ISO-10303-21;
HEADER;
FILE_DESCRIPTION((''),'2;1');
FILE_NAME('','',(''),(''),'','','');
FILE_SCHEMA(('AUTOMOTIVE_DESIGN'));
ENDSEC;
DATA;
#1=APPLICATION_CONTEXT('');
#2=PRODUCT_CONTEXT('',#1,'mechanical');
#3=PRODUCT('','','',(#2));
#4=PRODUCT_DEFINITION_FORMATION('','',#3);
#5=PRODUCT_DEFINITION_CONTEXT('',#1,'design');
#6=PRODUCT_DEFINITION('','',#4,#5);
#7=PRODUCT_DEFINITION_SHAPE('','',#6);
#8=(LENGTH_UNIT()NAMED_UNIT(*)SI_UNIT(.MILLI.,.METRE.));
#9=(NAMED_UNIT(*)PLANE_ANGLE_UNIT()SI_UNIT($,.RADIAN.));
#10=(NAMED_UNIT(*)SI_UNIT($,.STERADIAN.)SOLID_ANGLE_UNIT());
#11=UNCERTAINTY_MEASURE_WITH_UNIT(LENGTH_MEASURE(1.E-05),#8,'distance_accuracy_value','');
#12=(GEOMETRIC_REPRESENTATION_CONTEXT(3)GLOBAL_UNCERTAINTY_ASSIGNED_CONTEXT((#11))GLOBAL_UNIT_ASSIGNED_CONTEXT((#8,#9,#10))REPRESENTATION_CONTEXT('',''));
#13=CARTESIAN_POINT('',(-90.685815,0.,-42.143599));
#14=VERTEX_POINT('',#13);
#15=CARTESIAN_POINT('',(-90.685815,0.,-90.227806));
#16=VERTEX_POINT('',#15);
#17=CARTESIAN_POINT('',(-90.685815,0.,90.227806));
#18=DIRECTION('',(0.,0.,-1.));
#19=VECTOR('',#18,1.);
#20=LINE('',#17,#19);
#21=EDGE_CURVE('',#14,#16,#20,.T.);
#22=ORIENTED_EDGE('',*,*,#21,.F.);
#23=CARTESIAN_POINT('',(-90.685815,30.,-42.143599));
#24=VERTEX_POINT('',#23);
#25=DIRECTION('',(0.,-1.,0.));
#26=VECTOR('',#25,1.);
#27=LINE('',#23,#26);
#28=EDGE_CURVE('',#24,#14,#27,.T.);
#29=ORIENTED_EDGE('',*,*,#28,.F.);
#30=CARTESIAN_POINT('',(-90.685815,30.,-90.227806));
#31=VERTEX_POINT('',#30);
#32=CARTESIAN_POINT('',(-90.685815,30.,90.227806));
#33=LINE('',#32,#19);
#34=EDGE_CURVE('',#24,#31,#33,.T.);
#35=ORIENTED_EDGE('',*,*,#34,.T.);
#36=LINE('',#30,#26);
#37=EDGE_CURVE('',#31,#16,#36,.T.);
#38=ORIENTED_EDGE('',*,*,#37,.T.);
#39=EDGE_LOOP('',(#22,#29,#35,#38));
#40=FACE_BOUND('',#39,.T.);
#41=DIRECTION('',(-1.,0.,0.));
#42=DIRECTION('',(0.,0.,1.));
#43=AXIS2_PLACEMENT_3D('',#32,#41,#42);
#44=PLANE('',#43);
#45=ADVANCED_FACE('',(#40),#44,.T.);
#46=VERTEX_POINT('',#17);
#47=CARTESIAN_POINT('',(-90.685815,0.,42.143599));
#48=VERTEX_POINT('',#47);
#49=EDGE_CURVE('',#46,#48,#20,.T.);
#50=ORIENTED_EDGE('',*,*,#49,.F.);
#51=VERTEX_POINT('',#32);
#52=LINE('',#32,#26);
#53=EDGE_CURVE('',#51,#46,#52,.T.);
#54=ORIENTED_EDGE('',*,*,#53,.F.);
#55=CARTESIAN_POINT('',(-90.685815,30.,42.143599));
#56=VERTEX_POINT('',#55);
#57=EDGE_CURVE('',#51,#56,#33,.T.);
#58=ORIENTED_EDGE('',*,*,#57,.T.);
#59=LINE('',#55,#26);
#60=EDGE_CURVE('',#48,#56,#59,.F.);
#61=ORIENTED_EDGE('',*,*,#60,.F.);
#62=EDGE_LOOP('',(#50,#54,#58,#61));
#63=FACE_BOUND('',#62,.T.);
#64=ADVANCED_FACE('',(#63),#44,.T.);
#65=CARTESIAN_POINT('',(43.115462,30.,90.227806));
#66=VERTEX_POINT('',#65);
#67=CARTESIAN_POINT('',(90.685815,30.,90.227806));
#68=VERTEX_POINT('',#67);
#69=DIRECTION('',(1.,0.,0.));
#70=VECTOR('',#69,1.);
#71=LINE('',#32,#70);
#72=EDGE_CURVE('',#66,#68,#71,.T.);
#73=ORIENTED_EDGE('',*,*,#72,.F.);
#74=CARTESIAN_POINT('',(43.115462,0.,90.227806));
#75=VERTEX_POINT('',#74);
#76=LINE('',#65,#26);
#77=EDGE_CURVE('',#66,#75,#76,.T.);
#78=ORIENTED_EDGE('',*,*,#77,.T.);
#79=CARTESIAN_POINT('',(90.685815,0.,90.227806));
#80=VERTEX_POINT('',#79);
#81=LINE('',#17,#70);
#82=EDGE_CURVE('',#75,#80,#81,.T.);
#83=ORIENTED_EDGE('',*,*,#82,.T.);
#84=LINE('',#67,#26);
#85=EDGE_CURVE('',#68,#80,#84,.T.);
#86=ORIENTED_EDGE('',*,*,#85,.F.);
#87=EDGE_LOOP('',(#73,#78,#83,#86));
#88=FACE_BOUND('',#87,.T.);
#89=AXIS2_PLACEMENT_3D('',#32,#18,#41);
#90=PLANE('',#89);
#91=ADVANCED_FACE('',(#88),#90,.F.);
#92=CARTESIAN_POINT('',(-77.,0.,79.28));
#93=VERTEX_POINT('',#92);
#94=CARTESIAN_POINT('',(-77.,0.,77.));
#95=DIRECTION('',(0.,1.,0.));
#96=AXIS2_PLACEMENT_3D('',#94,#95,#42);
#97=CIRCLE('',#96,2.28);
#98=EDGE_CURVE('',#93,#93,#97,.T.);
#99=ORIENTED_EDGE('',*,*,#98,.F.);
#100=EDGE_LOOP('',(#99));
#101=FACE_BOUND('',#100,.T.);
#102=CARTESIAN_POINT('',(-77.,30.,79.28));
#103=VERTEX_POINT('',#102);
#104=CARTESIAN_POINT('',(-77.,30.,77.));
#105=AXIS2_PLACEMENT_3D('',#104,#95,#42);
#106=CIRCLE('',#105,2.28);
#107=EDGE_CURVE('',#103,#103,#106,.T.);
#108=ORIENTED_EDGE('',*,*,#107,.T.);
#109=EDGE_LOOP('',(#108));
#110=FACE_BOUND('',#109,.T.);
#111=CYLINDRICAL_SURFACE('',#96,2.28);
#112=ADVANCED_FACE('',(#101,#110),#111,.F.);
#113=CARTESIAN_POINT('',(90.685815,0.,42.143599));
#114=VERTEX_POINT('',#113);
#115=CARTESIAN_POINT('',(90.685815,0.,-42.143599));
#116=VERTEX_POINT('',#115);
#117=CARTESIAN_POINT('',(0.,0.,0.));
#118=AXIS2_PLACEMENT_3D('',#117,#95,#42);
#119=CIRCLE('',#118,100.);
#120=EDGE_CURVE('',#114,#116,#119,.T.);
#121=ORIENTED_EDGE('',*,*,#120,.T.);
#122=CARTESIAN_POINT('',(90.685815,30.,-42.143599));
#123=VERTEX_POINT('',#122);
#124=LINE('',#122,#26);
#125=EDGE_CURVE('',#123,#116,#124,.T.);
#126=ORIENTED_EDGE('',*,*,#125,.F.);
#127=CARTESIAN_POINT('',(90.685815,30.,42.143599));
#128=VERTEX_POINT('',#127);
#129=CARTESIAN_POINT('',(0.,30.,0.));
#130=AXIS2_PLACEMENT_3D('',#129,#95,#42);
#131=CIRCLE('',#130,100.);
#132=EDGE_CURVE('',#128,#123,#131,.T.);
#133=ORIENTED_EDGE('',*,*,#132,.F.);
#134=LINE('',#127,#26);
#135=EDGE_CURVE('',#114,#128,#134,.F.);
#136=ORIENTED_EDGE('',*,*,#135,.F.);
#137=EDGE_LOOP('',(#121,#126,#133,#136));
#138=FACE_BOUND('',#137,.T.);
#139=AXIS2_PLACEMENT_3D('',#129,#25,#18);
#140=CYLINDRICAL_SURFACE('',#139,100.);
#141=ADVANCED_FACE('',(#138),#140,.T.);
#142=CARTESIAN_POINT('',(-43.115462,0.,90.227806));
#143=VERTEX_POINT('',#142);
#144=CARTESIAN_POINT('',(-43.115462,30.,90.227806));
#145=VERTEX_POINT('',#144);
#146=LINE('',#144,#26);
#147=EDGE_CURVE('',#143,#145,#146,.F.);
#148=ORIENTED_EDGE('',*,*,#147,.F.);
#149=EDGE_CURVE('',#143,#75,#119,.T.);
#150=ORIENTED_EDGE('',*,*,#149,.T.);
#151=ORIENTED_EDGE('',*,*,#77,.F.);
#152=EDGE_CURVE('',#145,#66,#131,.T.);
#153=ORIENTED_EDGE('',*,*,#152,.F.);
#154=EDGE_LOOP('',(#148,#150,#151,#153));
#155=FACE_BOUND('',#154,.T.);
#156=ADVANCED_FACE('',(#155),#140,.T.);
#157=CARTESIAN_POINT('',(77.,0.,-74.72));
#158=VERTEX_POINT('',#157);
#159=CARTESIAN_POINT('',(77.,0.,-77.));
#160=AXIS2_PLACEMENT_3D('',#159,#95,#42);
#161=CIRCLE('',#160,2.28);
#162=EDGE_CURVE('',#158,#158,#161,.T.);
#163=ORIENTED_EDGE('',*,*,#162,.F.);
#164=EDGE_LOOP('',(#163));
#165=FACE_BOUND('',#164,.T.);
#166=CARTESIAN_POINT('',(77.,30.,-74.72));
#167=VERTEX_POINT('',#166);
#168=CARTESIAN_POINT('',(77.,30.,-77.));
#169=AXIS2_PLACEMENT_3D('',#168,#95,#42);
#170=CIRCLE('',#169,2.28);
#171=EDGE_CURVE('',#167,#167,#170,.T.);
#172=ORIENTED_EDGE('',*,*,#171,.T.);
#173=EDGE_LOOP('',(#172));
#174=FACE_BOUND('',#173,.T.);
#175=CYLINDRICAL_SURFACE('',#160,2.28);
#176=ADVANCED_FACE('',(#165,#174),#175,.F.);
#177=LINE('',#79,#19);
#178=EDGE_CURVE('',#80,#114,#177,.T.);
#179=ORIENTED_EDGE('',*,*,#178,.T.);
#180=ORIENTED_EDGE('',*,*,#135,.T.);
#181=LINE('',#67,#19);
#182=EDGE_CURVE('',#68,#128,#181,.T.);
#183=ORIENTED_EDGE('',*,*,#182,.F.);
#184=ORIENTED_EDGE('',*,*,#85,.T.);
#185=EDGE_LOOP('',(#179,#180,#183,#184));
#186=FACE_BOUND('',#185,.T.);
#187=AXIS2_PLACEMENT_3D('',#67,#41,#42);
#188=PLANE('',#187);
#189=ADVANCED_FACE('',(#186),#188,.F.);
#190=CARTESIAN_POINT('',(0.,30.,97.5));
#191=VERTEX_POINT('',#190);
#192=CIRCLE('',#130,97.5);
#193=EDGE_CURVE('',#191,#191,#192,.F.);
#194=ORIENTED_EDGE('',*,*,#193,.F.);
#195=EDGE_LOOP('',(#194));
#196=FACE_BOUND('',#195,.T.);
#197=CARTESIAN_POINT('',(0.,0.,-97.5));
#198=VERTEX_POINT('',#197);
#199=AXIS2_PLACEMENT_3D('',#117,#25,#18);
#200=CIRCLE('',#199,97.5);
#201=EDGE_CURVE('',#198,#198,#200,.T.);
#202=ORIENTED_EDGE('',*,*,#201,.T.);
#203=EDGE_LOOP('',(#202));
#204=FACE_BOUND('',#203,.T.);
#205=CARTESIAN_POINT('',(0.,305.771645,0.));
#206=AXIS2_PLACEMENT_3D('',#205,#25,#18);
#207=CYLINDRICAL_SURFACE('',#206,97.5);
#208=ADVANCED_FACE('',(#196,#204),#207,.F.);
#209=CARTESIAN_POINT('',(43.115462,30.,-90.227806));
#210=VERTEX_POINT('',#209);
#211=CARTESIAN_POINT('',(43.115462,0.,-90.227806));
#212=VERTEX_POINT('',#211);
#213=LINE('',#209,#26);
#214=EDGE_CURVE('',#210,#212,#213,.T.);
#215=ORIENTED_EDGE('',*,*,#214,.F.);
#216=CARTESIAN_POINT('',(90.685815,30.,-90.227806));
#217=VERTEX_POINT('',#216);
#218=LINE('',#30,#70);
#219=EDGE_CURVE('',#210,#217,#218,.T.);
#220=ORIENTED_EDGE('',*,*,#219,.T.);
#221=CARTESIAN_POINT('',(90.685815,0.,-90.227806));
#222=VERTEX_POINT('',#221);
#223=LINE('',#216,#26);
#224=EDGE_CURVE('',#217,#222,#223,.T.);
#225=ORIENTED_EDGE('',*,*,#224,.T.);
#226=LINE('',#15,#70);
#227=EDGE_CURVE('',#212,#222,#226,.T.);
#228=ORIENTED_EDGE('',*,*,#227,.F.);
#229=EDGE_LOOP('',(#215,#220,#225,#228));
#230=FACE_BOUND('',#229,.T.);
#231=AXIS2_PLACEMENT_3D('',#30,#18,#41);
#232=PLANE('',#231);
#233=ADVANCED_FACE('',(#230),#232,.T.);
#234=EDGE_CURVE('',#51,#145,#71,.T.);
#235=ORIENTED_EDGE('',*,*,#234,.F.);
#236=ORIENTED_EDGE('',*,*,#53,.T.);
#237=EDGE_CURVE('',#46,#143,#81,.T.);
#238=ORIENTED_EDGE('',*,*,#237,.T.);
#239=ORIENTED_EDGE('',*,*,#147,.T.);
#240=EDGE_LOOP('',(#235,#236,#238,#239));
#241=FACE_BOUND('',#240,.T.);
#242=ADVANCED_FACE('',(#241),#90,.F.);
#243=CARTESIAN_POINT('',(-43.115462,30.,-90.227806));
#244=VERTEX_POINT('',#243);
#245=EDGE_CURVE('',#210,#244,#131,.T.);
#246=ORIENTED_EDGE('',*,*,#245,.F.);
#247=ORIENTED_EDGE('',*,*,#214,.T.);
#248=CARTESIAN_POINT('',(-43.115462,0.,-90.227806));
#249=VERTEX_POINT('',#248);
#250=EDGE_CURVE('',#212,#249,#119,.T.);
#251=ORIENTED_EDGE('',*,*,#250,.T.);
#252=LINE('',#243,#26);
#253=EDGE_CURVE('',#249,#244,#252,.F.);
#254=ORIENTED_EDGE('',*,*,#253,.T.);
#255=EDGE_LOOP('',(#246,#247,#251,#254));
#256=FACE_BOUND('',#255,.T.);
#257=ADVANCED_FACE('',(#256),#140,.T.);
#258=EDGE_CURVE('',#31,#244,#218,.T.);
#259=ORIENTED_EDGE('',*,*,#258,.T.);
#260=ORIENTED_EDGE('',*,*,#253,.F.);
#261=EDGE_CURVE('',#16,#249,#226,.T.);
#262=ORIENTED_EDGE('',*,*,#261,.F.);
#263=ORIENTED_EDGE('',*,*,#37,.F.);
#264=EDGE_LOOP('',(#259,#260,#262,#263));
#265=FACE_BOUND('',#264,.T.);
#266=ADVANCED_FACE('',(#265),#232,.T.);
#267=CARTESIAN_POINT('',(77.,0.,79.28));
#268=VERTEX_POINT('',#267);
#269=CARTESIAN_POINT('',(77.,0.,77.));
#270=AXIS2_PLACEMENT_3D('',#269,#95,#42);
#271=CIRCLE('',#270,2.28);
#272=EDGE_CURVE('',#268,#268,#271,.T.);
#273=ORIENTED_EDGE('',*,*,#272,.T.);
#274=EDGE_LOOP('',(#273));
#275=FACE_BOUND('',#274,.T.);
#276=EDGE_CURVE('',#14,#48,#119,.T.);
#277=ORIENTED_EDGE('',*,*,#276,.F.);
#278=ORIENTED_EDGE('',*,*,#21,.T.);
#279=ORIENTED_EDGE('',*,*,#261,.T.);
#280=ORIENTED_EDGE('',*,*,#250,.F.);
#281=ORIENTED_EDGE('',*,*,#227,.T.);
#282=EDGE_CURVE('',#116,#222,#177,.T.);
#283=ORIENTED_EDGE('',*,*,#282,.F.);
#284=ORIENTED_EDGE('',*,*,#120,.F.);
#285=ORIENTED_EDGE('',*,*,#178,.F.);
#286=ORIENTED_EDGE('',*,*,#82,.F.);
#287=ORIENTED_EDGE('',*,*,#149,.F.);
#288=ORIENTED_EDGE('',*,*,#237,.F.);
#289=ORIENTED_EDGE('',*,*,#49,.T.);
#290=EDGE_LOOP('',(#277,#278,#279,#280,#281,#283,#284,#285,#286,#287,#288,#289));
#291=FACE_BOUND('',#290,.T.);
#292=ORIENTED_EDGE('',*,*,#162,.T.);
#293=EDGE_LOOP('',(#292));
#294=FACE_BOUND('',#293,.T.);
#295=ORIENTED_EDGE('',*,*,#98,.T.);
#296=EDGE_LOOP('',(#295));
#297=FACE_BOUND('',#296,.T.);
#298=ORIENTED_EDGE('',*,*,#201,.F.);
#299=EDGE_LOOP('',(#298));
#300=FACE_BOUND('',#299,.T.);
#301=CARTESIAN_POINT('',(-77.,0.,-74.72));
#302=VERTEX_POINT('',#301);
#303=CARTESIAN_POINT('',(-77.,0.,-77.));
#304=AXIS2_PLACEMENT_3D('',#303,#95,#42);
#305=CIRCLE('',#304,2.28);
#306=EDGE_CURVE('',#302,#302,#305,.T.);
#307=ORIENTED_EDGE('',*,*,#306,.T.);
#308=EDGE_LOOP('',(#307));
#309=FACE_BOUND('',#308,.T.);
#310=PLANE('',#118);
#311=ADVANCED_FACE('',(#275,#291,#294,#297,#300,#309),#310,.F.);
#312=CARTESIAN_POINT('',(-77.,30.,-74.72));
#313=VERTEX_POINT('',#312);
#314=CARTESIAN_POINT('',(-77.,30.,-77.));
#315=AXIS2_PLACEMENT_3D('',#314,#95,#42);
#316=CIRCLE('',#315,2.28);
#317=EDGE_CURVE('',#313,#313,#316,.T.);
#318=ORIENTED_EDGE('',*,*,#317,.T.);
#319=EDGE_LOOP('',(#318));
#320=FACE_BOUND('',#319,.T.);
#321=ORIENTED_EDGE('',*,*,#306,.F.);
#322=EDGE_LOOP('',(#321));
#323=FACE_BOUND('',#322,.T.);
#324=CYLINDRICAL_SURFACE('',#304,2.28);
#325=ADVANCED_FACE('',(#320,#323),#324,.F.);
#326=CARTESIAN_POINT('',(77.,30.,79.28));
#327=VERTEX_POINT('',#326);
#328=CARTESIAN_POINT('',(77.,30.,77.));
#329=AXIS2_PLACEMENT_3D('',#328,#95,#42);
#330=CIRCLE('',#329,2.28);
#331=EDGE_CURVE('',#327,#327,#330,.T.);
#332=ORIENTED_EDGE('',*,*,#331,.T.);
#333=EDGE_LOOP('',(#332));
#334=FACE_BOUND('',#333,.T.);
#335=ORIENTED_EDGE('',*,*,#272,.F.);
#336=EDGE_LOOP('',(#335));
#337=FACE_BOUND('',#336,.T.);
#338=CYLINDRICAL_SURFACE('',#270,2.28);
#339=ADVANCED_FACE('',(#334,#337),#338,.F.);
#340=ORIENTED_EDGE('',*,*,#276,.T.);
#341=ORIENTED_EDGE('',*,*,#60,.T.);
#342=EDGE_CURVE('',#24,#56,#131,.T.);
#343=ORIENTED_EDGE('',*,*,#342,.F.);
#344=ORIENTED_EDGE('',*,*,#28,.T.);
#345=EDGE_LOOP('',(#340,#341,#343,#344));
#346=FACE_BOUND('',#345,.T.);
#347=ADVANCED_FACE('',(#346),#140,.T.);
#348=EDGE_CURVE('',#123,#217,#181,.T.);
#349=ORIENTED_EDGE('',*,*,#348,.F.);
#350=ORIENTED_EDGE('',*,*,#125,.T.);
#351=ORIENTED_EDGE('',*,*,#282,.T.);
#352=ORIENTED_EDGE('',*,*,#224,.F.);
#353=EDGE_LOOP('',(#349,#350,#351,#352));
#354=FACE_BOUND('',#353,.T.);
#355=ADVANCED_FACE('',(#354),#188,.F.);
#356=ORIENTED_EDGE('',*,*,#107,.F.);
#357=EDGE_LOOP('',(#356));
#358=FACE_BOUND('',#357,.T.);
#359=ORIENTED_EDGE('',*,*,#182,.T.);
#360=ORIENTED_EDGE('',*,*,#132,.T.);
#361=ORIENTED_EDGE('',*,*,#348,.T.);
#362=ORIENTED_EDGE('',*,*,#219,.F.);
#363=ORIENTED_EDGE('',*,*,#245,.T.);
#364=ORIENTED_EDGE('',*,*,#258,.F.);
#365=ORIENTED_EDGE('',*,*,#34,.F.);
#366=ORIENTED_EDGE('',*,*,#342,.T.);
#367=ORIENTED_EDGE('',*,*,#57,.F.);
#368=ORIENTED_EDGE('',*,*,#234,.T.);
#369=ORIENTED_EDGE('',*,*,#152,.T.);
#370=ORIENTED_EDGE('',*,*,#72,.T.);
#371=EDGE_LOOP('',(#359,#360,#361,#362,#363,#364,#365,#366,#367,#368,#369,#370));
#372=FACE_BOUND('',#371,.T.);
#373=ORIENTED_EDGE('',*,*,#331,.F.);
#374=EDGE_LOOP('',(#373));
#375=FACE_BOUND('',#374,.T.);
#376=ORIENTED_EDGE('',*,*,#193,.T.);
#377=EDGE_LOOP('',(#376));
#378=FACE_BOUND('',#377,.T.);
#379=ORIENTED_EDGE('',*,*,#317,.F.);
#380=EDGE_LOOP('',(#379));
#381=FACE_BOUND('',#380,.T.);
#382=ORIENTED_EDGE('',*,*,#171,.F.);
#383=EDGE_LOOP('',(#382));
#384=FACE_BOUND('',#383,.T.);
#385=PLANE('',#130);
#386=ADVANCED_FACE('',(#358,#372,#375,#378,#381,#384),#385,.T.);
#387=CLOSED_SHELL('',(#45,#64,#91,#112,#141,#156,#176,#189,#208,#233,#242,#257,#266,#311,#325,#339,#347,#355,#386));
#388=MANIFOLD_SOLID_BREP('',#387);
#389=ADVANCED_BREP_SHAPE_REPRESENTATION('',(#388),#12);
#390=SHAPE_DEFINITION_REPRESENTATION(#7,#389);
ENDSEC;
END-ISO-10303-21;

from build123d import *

# Parameters (mm, degrees)
SKETCH1_R           = 100
SKETCH1_W           = 181.371629942
SKETCH1_H           = 180.45561161
BOSS_EXTRUDE1_DEPTH = 30
SKETCH2_R           = 2.28
CUT_EXTRUDE1_DEPTH  = 31
SKETCH3_R           = 97.5
CUT_EXTRUDE2_DEPTH  = 30


with BuildPart() as part:
    # Sketch1 → Boss-Extrude1 (new body)
    with BuildSketch(Plane(origin=(0, 0, 0), x_dir=(1, 0, 0), z_dir=(0, 1, 0))):
        Circle(SKETCH1_R)
        Rectangle(SKETCH1_W, SKETCH1_H)
    extrude(amount=BOSS_EXTRUDE1_DEPTH)

    # Sketch2 → Cut-Extrude1 (cut, through all)
    with BuildSketch(Plane(origin=(0, 30, 0), x_dir=(1, 0, 0), z_dir=(0, 1, 0))):
        with Locations((-77, 77)):
            Circle(SKETCH2_R)
        with Locations((77, 77)):
            Circle(SKETCH2_R)
        with Locations((-77, -77)):
            Circle(SKETCH2_R)
        with Locations((77, -77)):
            Circle(SKETCH2_R)
    extrude(amount=-CUT_EXTRUDE1_DEPTH, mode=Mode.SUBTRACT)

    # Sketch3 → Cut-Extrude2 (cut)
    with BuildSketch(Plane(origin=(0, 0, 0), x_dir=(-1, 0, 0), z_dir=(0, -1, 0))):
        Circle(SKETCH3_R)
    extrude(amount=-CUT_EXTRUDE2_DEPTH, mode=Mode.SUBTRACT)


solid = part.part
